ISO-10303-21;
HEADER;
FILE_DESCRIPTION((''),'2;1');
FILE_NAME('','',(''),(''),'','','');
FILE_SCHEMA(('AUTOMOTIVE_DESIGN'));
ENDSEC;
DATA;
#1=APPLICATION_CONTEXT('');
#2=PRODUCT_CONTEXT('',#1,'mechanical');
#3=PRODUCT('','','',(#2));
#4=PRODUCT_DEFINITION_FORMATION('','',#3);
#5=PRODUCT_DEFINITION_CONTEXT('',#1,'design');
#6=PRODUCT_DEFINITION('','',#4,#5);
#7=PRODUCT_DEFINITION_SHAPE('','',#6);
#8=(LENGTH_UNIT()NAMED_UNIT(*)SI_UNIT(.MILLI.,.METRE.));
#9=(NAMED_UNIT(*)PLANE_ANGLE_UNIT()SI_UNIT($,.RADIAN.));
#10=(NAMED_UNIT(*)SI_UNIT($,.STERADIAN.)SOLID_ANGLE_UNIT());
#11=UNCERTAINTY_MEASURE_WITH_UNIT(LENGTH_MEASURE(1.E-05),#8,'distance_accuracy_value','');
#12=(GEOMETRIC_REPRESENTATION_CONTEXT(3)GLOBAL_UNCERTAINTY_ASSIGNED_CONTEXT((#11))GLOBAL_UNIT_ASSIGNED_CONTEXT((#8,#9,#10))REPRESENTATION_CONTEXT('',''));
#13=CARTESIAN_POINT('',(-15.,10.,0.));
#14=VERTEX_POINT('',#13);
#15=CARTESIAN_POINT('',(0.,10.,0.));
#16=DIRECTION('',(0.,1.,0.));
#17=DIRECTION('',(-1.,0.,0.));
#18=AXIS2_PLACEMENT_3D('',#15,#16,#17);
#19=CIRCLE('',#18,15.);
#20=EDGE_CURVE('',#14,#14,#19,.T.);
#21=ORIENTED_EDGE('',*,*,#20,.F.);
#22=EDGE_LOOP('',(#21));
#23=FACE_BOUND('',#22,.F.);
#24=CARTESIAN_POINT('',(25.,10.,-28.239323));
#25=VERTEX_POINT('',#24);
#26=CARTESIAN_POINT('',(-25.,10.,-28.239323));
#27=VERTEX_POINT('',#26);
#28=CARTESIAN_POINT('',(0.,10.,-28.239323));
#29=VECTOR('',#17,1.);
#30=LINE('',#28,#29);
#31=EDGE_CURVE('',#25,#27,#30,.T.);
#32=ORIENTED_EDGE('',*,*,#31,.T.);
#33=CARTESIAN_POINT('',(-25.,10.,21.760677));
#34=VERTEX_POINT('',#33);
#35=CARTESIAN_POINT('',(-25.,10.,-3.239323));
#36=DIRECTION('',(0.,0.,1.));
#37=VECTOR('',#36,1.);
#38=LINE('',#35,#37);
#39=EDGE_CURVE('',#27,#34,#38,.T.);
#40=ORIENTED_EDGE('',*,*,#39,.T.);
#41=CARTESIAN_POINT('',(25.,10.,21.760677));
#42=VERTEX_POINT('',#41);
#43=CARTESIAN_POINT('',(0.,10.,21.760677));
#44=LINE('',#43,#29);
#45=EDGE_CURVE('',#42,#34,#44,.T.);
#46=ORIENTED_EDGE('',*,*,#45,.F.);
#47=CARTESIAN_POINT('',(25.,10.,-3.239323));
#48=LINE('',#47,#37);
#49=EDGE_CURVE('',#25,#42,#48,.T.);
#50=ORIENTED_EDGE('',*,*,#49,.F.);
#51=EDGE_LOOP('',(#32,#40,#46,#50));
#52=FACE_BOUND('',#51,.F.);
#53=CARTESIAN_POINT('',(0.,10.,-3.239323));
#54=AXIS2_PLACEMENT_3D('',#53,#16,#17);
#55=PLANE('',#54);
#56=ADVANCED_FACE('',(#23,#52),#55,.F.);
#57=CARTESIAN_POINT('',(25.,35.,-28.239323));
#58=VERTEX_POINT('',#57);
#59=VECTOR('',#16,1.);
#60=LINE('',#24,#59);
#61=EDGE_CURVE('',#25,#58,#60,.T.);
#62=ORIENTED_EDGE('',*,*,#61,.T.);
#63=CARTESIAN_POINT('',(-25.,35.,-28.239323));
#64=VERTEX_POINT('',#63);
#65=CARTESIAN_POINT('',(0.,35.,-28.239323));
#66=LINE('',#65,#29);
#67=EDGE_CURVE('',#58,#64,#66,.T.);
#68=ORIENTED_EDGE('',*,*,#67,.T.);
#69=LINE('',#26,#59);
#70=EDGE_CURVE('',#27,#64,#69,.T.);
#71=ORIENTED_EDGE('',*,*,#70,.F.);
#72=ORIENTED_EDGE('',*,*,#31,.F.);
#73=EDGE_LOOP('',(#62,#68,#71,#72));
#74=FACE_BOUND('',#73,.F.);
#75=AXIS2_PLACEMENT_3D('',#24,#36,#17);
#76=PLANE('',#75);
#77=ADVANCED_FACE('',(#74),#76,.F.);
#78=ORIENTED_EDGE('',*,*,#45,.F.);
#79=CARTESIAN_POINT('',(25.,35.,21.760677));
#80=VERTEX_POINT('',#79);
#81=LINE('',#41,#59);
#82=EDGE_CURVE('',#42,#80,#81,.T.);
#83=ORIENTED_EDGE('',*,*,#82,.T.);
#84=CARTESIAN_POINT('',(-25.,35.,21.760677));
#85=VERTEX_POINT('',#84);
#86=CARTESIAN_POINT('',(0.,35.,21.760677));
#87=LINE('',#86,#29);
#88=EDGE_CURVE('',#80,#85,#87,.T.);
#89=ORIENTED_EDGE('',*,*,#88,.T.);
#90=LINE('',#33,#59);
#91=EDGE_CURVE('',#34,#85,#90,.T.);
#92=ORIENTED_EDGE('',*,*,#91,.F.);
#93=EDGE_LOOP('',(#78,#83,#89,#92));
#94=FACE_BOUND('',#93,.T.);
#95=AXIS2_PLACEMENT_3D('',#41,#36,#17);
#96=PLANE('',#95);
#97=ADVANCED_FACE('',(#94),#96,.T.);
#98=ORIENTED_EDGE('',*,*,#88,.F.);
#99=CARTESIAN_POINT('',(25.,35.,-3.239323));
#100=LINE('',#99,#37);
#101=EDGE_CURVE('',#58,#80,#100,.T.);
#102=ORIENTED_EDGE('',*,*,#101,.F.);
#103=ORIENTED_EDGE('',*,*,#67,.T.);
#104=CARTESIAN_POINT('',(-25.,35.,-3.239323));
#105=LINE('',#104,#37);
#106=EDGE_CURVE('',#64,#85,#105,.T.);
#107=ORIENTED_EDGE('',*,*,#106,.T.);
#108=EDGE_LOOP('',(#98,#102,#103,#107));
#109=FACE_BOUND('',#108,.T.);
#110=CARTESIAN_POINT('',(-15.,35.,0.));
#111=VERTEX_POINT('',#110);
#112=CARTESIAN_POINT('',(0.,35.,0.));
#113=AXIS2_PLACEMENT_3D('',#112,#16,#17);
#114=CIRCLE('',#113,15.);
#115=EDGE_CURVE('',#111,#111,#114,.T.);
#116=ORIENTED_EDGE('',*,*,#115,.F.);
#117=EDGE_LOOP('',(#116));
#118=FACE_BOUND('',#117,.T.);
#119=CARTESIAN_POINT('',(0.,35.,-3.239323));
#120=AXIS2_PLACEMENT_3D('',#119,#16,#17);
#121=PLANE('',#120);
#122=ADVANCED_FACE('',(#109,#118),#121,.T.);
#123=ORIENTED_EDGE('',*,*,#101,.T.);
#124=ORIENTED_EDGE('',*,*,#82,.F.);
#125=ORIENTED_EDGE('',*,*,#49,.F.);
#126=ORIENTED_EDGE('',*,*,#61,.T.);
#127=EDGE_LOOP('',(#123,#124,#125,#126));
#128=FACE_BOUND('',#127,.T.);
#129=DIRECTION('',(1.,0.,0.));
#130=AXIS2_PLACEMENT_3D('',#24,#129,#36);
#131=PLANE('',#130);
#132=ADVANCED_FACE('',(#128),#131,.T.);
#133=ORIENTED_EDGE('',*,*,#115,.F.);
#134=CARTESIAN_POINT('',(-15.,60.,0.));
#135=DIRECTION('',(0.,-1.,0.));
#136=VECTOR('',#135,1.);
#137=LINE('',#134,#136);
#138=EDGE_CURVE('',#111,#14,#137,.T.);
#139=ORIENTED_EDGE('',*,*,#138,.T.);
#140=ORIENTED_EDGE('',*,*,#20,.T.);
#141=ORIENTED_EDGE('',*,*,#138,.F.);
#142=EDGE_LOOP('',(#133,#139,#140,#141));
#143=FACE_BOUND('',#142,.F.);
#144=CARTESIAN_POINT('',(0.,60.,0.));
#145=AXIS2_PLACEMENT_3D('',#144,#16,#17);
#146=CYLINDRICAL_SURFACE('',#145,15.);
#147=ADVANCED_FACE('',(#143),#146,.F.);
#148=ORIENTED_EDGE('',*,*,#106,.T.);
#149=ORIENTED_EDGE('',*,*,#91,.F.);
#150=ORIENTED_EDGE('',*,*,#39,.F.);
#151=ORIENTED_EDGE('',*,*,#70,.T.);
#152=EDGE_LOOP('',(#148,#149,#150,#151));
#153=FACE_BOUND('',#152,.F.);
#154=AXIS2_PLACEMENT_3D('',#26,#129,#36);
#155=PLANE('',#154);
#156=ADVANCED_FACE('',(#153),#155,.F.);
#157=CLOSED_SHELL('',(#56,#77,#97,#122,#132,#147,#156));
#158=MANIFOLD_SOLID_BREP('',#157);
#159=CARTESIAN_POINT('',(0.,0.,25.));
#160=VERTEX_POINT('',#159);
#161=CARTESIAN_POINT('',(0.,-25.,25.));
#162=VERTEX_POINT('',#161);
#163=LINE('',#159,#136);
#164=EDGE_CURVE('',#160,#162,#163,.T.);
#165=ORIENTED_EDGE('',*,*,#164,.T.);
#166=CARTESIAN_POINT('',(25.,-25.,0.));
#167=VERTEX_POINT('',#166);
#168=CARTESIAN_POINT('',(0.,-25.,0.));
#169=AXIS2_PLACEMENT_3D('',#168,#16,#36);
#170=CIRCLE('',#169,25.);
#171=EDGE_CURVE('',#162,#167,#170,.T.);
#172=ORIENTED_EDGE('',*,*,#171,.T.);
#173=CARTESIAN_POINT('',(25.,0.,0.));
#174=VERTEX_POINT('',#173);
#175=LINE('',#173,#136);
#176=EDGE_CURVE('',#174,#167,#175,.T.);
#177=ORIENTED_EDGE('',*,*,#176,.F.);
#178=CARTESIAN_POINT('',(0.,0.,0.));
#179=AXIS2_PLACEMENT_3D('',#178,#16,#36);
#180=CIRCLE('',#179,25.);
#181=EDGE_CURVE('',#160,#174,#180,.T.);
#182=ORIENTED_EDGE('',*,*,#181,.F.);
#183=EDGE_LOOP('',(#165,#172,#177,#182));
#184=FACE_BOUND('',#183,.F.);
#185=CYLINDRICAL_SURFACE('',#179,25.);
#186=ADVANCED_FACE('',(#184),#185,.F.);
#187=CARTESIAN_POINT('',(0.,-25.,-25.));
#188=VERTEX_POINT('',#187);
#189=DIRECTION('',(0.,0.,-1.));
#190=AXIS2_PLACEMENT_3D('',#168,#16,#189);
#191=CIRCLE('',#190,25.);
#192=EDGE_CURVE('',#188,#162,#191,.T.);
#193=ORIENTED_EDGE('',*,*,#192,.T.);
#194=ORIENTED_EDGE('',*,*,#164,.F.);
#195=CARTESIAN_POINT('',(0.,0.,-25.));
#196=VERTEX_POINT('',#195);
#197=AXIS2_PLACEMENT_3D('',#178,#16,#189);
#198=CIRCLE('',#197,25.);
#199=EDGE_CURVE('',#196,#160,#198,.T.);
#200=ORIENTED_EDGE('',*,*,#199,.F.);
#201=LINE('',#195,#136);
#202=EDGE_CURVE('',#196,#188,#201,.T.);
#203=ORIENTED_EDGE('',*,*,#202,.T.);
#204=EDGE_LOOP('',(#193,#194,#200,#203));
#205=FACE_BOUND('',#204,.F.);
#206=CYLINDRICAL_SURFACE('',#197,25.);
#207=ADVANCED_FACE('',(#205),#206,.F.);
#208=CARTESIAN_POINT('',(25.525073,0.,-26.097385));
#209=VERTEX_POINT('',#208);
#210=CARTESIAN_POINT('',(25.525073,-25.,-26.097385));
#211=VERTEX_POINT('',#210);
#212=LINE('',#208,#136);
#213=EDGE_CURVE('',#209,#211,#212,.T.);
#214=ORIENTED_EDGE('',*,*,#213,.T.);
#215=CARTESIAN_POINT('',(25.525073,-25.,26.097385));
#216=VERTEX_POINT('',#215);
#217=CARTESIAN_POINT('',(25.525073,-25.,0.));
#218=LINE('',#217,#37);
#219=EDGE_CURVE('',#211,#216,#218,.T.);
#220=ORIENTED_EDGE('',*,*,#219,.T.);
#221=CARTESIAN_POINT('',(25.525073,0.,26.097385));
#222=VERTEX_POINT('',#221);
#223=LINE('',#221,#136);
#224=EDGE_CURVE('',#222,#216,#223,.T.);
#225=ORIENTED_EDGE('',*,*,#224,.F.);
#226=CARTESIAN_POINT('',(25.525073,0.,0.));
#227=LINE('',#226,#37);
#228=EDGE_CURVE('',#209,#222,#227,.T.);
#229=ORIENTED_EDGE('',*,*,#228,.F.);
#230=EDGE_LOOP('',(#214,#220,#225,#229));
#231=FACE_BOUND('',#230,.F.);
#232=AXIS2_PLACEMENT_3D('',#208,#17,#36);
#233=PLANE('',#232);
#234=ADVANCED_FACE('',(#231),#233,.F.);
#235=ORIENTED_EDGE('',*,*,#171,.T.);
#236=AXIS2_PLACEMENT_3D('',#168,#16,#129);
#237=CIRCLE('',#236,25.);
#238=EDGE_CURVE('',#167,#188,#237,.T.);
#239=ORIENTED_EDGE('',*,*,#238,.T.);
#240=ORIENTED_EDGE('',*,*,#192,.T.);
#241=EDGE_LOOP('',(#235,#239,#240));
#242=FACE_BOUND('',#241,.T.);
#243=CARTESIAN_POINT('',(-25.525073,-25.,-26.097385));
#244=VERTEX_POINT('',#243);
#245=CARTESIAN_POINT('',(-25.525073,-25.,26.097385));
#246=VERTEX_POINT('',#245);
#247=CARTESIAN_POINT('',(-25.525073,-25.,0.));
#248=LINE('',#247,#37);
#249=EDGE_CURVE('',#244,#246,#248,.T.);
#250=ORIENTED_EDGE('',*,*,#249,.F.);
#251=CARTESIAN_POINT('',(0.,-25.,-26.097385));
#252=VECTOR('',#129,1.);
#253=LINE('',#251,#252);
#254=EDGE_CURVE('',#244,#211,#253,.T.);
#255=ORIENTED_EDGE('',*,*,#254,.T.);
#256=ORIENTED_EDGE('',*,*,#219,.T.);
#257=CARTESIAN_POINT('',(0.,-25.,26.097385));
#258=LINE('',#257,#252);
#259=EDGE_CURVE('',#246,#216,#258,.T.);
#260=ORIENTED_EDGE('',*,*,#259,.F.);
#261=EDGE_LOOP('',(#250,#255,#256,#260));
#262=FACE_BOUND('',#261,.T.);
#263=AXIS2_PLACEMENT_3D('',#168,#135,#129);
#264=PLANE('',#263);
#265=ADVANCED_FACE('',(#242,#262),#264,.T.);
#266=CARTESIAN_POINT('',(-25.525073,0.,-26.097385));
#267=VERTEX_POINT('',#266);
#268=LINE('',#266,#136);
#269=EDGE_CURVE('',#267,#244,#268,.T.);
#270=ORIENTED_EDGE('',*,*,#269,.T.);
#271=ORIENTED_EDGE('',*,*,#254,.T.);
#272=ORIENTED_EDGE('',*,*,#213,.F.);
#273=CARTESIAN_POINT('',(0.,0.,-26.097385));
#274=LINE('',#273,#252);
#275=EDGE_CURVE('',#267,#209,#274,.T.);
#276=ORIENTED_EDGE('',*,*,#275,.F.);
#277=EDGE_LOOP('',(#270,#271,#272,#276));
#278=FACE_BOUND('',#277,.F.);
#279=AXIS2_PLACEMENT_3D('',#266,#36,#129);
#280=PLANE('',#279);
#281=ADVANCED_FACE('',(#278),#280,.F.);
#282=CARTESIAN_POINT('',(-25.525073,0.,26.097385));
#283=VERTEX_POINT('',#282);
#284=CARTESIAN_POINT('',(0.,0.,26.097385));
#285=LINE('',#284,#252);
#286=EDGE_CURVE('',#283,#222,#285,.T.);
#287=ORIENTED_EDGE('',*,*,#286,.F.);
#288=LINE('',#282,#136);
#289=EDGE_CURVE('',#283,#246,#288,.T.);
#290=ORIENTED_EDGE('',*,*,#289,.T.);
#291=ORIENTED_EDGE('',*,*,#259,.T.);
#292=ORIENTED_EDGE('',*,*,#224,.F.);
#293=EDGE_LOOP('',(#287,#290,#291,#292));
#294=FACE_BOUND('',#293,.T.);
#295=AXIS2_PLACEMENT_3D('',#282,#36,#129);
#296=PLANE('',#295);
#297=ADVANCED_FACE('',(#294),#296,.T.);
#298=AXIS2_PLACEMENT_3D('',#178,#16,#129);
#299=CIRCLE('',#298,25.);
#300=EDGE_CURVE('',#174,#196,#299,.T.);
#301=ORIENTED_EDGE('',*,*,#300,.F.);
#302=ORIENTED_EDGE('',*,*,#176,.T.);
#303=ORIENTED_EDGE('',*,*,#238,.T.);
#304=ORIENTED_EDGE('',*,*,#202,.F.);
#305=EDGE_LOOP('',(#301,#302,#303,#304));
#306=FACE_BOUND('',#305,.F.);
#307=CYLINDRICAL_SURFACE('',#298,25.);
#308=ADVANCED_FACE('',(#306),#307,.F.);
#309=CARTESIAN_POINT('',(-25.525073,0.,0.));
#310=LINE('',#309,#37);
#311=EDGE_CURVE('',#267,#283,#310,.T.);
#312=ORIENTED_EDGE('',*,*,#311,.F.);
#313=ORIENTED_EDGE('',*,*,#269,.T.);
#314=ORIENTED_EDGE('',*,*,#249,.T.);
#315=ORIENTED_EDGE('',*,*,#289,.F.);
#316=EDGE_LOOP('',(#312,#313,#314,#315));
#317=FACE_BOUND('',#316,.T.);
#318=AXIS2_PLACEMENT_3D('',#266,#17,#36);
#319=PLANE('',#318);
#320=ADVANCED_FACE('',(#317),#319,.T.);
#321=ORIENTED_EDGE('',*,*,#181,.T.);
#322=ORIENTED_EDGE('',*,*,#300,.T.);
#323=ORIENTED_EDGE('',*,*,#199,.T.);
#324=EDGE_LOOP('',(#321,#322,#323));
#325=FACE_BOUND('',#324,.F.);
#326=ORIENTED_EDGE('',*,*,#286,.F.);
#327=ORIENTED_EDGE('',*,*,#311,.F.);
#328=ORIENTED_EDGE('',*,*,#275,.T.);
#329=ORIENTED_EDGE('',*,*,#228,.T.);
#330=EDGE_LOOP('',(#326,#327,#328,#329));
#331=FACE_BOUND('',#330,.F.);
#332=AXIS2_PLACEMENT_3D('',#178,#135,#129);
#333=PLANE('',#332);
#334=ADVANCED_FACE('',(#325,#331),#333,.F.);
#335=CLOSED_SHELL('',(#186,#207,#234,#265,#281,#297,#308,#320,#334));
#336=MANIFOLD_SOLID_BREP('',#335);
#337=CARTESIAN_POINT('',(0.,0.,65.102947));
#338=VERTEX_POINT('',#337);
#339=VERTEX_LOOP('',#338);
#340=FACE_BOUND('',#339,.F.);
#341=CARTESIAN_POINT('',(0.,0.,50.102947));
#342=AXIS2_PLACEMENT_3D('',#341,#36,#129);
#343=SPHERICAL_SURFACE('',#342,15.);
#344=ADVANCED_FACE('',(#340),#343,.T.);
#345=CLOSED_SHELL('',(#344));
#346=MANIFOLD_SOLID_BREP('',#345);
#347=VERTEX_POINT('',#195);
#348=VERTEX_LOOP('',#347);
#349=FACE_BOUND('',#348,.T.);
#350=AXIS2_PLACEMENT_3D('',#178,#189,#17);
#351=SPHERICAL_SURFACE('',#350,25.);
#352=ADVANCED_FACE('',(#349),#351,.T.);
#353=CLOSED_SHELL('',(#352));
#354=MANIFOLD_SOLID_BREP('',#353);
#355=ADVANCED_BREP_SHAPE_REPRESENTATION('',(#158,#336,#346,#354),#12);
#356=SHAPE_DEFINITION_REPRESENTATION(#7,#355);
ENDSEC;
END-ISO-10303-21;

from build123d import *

# Parameters (mm, degrees)
F0_W      = 51.050145179
F0_H      = 52.1947704256
F2_DEPTH  = 25
F6_W      = 50
F6_H      = 50
F7_DEPTH  = 25
F8_R      = 15
F9_DEPTH  = 25
F10_DEPTH = 50


with BuildPart() as f1:
    # F0 (on Front) → F1 (revolve)
    with BuildSketch(Plane.XZ):
        with BuildLine():
            Line((0, -25), (0, 25))
            ThreePointArc((0, 25), (-25, 0), (0, -25))
        make_face()
    revolve(axis=Axis((0, 0, 0), (0, 0, -1)))


with BuildPart() as f2:
    # F0 (on Front) → F2 (new body)
    with BuildSketch(Plane.XZ):
        Rectangle(F0_W, F0_H)
        with BuildLine():
            ThreePointArc((0, 25), (17.6776695297, 17.6776695297), (25, 0))
            ThreePointArc((25, 0), (17.6776695297, -17.6776695297), (0, -25))
            ThreePointArc((0, -25), (-25, 0), (0, 25))
        make_face(mode=Mode.SUBTRACT)
    extrude(amount=F2_DEPTH)


with BuildPart() as f4:
    # F3 (on Front) → F4 (revolve)
    with BuildSketch(Plane.XZ):
        with BuildLine():
            ThreePointArc((0, 35.1029468172), (10.6066017178, 39.4963450994), (15, 50.1029468172))
            ThreePointArc((15, 50.1029468172), (10.6066017178, 60.709548535), (0, 65.1029468172))
            Line((0, 65.1029468172), (0, 35.1029468172))
        make_face()
    revolve(axis=Axis((0, 0, 50.1029468172), (0, 0, -1)))


with BuildPart() as f7:
    # F6 (on offset) → F7 (new body)
    with BuildSketch(Plane(origin=(0, 10, 0), x_dir=(-1, 0, 0), z_dir=(0, 1, 0))):
        with Locations((0, -3.2393227814)):
            Rectangle(F6_W, F6_H)
    extrude(amount=F7_DEPTH)

    # F8 (on face) → F9 (join)
    with BuildSketch(Plane(origin=(0, 35, 0), x_dir=(-1, 0, 0), z_dir=(0, 1, 0))):
        Circle(F8_R)
    extrude(amount=F9_DEPTH)

    # F10 (cut): a face of the model
    f10_faces = [f7.faces().sort_by_distance(p)[0] for p in [
        (0, 60, 0),
    ]]
    extrude(f10_faces, amount=-F10_DEPTH, mode=Mode.SUBTRACT)


solid = Compound([f1.part, f2.part, f4.part, f7.part])
